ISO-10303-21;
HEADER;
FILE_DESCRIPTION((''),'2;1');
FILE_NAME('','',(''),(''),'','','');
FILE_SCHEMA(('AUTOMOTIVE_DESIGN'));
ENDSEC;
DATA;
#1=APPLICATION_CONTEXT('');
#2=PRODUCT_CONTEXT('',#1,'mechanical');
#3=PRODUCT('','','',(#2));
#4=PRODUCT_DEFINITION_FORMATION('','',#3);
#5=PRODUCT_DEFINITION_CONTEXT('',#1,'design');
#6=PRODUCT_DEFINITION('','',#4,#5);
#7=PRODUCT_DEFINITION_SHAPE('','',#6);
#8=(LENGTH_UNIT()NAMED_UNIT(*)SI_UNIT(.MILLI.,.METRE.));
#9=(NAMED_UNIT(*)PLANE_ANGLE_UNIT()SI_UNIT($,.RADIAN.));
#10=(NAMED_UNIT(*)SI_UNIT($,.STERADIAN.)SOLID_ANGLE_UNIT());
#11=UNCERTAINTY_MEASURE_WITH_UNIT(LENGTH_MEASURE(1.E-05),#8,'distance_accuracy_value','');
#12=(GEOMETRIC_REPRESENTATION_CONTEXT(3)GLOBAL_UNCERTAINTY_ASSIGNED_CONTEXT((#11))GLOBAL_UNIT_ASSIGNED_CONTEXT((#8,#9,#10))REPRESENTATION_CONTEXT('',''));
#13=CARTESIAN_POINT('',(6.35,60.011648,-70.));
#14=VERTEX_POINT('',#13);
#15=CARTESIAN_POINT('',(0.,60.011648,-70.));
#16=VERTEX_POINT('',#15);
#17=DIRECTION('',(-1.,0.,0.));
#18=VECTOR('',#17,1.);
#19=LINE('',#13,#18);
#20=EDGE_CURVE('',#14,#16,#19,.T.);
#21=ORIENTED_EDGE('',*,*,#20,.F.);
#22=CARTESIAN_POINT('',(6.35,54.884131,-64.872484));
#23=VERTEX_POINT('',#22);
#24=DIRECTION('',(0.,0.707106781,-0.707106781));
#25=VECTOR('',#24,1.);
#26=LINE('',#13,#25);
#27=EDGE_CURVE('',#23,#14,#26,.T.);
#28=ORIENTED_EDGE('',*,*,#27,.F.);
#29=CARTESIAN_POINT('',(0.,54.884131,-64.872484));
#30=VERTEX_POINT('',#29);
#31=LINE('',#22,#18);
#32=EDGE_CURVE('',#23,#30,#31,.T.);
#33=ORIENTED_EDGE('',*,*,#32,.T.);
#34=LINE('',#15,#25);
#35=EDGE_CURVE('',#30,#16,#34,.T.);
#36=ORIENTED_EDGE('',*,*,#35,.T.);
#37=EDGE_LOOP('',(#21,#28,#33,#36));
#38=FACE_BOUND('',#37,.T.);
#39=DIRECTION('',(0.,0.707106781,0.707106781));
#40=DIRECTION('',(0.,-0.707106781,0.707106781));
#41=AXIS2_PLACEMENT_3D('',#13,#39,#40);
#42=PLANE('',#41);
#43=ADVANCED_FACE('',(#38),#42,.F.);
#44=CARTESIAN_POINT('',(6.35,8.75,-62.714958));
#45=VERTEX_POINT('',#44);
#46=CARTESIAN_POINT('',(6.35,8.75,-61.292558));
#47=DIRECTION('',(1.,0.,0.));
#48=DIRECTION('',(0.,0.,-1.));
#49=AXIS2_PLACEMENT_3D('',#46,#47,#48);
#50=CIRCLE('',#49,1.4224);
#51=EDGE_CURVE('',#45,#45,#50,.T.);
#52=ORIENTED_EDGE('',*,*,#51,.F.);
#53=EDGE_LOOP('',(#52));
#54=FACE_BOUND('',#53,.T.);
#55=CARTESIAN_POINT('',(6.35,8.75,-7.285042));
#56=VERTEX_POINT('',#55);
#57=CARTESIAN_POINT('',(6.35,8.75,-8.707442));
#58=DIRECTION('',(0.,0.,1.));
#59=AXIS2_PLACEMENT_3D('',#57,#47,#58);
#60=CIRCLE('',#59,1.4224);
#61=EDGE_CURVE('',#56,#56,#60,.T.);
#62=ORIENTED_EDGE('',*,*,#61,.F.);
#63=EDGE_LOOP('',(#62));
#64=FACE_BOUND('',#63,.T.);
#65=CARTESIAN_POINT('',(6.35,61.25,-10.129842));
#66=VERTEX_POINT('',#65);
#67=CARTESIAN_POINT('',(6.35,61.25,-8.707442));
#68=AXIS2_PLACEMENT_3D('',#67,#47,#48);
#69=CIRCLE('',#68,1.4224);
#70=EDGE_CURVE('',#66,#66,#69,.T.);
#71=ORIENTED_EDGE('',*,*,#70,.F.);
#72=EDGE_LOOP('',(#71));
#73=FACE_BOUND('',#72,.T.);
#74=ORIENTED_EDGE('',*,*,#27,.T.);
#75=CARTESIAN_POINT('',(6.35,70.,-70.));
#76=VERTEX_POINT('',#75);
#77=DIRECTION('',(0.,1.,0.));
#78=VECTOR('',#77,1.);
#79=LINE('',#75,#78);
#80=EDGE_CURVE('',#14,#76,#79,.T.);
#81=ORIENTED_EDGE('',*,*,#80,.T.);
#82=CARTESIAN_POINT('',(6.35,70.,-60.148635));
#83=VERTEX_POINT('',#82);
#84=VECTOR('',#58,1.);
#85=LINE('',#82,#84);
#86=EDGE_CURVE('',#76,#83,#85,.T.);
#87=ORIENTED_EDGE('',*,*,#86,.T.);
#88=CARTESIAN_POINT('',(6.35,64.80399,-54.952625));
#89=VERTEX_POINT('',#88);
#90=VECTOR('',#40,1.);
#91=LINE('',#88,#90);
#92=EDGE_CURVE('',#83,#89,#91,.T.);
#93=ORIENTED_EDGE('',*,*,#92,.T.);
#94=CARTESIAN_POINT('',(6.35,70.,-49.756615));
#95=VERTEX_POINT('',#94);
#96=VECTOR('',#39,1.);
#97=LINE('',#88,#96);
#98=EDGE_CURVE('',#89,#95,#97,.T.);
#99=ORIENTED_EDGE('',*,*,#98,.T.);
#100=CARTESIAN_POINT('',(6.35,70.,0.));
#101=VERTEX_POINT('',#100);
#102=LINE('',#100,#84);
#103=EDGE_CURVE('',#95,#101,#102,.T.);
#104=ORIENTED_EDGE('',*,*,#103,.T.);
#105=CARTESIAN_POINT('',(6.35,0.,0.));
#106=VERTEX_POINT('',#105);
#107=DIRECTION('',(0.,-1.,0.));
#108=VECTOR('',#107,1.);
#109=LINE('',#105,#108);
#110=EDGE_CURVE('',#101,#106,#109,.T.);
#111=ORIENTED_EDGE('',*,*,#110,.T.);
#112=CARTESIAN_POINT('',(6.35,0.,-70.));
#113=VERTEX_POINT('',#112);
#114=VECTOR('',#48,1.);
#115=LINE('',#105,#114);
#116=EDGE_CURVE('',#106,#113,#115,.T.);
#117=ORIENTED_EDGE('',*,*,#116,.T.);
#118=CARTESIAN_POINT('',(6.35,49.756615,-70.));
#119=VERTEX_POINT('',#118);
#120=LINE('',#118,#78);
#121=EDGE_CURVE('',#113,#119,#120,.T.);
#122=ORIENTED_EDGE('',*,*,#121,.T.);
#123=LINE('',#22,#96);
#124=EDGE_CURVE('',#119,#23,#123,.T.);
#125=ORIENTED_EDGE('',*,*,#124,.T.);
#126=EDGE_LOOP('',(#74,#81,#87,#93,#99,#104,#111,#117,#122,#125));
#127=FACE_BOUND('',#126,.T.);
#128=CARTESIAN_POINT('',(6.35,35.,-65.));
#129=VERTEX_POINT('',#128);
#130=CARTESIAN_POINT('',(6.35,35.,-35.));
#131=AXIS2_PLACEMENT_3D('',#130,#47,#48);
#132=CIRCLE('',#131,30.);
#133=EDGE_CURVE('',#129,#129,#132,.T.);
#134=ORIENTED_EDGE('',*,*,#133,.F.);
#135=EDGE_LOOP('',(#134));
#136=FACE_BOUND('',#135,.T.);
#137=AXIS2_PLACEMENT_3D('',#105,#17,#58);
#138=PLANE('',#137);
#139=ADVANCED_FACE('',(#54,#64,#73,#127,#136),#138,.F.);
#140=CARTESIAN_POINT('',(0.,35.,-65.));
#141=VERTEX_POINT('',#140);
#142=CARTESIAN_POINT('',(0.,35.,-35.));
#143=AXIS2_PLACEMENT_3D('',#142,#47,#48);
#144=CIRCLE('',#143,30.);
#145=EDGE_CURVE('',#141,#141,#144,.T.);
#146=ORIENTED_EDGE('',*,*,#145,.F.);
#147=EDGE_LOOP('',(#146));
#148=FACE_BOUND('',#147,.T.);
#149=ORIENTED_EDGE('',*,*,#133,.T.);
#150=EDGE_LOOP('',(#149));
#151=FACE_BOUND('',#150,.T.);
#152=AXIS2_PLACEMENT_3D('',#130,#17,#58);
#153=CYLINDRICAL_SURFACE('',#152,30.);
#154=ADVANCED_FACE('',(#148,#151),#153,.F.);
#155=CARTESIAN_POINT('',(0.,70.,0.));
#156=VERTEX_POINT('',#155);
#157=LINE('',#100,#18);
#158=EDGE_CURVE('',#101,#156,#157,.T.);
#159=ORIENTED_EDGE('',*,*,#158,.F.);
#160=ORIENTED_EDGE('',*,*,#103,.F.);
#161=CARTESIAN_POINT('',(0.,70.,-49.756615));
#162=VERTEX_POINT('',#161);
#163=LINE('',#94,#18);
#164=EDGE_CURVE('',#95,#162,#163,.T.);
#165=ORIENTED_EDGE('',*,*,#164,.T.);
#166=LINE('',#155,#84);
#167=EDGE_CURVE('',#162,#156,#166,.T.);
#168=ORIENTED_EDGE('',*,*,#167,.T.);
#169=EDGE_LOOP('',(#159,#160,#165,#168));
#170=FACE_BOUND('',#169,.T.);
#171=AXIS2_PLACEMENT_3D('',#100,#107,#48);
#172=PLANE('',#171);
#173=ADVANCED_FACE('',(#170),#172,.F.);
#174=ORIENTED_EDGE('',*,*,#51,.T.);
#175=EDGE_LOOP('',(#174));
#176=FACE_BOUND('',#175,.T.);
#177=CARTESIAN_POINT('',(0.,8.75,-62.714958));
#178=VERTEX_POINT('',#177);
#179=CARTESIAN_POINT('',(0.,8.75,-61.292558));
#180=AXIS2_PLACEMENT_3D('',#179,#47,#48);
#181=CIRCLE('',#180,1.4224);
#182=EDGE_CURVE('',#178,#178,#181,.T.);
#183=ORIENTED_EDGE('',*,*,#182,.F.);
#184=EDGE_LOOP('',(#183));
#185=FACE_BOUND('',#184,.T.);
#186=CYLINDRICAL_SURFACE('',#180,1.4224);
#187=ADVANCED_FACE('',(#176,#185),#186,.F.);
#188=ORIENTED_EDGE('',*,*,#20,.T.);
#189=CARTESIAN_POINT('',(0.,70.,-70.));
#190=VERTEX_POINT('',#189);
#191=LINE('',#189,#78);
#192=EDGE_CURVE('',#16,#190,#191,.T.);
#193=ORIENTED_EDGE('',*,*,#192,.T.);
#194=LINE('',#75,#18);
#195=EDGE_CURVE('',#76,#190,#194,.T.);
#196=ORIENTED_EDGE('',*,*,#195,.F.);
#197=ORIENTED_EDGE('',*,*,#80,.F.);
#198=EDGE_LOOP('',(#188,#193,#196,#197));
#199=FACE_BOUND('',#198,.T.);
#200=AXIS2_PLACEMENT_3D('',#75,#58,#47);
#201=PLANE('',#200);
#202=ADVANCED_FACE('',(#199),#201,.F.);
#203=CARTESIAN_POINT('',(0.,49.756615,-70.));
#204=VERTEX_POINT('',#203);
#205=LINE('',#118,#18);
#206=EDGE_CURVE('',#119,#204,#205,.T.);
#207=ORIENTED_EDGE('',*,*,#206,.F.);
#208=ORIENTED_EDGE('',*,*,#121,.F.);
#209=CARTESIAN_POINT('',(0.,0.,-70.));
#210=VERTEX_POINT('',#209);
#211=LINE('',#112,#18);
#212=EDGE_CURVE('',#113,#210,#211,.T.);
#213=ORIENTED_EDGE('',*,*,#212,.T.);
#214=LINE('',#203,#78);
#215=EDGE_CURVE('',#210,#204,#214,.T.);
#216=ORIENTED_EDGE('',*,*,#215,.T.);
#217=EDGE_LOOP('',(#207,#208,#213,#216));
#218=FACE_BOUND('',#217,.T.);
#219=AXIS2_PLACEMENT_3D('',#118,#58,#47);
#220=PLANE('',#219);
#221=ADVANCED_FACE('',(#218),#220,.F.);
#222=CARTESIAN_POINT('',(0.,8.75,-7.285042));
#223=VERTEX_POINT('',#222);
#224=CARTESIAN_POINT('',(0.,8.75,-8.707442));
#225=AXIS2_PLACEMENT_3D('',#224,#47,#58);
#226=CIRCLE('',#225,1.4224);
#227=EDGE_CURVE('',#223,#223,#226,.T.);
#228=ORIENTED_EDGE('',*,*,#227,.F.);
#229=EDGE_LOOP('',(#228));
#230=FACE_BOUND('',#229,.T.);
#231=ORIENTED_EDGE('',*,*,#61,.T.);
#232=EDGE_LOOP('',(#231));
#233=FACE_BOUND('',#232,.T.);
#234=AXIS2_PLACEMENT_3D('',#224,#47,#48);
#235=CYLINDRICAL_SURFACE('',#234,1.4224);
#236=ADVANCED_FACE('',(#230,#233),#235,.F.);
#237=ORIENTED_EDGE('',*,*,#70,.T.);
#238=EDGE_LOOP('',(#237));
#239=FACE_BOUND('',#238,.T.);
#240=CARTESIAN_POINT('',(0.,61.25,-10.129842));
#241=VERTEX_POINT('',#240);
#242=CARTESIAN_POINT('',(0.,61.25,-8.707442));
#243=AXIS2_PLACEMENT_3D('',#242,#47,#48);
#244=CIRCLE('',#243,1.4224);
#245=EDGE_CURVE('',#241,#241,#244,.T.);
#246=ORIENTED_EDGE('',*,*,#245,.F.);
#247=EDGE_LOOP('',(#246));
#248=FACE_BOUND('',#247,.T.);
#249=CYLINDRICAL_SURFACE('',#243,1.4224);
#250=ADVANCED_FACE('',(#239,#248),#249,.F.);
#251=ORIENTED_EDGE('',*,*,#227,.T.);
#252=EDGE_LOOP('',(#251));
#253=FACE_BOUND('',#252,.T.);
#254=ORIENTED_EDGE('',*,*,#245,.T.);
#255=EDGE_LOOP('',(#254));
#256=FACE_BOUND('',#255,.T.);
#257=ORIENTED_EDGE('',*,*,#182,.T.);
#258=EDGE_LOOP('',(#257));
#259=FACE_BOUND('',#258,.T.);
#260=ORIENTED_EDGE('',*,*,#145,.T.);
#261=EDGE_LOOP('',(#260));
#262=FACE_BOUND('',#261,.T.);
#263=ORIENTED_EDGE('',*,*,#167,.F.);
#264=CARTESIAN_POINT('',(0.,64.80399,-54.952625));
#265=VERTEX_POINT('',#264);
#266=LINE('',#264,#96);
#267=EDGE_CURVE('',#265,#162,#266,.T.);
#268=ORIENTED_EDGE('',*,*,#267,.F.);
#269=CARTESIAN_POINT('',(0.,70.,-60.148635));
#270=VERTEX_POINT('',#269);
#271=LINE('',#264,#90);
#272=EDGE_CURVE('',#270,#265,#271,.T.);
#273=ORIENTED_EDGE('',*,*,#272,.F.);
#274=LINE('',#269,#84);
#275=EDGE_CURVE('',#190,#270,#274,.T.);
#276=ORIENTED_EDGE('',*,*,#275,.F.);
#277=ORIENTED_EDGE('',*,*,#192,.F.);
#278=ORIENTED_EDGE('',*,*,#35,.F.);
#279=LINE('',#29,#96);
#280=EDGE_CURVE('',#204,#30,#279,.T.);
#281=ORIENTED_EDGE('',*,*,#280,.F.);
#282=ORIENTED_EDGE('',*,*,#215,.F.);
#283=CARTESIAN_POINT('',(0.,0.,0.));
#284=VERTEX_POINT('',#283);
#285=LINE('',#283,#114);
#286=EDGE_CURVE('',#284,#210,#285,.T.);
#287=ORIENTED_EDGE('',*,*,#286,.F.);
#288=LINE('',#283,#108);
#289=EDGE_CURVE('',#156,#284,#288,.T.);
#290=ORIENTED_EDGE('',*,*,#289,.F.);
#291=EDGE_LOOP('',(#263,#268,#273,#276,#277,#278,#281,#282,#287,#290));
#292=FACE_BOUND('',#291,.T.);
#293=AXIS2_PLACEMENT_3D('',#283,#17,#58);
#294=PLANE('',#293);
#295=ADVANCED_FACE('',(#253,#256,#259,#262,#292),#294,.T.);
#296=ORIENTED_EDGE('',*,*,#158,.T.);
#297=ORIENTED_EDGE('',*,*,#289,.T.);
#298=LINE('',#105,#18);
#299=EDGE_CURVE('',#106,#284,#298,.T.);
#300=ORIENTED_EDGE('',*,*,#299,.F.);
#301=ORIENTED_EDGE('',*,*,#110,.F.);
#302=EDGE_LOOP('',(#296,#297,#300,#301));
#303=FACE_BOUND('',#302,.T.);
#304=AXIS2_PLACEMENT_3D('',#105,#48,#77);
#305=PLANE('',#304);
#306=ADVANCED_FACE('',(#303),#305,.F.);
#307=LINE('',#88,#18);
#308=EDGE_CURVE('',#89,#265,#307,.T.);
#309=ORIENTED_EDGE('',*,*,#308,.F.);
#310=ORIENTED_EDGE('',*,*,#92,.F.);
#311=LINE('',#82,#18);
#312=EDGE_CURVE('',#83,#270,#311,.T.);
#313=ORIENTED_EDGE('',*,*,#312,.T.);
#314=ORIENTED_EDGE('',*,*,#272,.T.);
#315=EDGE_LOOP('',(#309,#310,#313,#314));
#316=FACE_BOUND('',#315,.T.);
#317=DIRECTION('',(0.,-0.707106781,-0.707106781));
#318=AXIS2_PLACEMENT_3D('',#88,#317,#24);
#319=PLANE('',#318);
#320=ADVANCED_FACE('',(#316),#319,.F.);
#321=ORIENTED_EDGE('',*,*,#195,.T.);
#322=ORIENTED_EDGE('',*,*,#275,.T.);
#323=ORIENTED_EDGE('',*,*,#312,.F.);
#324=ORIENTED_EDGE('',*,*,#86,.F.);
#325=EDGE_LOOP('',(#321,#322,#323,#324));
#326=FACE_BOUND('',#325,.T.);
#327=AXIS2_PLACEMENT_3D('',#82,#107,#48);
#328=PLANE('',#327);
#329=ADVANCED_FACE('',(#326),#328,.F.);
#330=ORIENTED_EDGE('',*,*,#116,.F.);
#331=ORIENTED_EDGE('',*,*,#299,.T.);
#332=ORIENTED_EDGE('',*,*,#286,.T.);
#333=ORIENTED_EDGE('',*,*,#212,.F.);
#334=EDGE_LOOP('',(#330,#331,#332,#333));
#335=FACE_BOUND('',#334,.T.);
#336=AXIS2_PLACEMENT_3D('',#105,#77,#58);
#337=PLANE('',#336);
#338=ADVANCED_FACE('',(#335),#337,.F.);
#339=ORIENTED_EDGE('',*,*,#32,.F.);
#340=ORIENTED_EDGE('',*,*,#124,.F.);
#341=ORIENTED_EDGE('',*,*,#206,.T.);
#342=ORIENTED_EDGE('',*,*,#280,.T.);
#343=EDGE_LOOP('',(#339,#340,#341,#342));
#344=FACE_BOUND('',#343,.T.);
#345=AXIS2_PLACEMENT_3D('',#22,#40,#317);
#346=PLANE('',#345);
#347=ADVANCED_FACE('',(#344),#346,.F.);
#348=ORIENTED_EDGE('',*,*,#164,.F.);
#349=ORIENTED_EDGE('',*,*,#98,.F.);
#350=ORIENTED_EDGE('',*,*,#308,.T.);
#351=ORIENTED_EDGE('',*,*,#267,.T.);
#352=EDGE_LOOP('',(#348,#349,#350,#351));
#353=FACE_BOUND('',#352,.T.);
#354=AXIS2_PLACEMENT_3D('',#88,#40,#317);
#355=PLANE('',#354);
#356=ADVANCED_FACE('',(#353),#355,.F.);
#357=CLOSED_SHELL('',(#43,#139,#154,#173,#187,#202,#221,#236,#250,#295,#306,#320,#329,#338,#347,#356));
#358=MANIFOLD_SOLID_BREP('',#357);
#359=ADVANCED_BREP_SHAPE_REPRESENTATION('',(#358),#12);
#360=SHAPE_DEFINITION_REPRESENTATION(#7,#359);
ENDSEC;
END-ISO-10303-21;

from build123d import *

# Parameters (mm, degrees)
SKETCH1_R           = 30
BOSS_EXTRUDE1_DEPTH = 6.35
SKETCH2_R           = 1.4224
CUT_EXTRUDE1_DEPTH  = 6.35


with BuildPart() as part:
    # Sketch1 → Boss-Extrude1 (new body)
    with BuildSketch(Plane(origin=(0, 0, 0), x_dir=(0, 0, -1), z_dir=(1, 0, 0))):
        Polygon((0, 0), (70, 0), (70, 49.756615014), (64.872483647, 54.884131367), (70, 60.011647719), (70, 70), (60.148635267, 70), (54.952625141, 64.803989874), (49.756615014, 70), (0, 70), align=None)
        with Locations((35, 35)):
            Circle(SKETCH1_R, mode=Mode.SUBTRACT)
    extrude(amount=BOSS_EXTRUDE1_DEPTH)

    # Sketch2 → Cut-Extrude1 (cut)
    with BuildSketch(Plane(origin=(6.35, 0, 0), x_dir=(0, 0, -1), z_dir=(1, 0, 0))):
        with Locations((8.707441752, 61.25)):
            Circle(SKETCH2_R)
        with Locations((8.707441752, 8.75)):
            Circle(SKETCH2_R)
        with Locations((61.292558248, 8.75)):
            Circle(SKETCH2_R)
    extrude(amount=-CUT_EXTRUDE1_DEPTH, mode=Mode.SUBTRACT)


solid = part.part
